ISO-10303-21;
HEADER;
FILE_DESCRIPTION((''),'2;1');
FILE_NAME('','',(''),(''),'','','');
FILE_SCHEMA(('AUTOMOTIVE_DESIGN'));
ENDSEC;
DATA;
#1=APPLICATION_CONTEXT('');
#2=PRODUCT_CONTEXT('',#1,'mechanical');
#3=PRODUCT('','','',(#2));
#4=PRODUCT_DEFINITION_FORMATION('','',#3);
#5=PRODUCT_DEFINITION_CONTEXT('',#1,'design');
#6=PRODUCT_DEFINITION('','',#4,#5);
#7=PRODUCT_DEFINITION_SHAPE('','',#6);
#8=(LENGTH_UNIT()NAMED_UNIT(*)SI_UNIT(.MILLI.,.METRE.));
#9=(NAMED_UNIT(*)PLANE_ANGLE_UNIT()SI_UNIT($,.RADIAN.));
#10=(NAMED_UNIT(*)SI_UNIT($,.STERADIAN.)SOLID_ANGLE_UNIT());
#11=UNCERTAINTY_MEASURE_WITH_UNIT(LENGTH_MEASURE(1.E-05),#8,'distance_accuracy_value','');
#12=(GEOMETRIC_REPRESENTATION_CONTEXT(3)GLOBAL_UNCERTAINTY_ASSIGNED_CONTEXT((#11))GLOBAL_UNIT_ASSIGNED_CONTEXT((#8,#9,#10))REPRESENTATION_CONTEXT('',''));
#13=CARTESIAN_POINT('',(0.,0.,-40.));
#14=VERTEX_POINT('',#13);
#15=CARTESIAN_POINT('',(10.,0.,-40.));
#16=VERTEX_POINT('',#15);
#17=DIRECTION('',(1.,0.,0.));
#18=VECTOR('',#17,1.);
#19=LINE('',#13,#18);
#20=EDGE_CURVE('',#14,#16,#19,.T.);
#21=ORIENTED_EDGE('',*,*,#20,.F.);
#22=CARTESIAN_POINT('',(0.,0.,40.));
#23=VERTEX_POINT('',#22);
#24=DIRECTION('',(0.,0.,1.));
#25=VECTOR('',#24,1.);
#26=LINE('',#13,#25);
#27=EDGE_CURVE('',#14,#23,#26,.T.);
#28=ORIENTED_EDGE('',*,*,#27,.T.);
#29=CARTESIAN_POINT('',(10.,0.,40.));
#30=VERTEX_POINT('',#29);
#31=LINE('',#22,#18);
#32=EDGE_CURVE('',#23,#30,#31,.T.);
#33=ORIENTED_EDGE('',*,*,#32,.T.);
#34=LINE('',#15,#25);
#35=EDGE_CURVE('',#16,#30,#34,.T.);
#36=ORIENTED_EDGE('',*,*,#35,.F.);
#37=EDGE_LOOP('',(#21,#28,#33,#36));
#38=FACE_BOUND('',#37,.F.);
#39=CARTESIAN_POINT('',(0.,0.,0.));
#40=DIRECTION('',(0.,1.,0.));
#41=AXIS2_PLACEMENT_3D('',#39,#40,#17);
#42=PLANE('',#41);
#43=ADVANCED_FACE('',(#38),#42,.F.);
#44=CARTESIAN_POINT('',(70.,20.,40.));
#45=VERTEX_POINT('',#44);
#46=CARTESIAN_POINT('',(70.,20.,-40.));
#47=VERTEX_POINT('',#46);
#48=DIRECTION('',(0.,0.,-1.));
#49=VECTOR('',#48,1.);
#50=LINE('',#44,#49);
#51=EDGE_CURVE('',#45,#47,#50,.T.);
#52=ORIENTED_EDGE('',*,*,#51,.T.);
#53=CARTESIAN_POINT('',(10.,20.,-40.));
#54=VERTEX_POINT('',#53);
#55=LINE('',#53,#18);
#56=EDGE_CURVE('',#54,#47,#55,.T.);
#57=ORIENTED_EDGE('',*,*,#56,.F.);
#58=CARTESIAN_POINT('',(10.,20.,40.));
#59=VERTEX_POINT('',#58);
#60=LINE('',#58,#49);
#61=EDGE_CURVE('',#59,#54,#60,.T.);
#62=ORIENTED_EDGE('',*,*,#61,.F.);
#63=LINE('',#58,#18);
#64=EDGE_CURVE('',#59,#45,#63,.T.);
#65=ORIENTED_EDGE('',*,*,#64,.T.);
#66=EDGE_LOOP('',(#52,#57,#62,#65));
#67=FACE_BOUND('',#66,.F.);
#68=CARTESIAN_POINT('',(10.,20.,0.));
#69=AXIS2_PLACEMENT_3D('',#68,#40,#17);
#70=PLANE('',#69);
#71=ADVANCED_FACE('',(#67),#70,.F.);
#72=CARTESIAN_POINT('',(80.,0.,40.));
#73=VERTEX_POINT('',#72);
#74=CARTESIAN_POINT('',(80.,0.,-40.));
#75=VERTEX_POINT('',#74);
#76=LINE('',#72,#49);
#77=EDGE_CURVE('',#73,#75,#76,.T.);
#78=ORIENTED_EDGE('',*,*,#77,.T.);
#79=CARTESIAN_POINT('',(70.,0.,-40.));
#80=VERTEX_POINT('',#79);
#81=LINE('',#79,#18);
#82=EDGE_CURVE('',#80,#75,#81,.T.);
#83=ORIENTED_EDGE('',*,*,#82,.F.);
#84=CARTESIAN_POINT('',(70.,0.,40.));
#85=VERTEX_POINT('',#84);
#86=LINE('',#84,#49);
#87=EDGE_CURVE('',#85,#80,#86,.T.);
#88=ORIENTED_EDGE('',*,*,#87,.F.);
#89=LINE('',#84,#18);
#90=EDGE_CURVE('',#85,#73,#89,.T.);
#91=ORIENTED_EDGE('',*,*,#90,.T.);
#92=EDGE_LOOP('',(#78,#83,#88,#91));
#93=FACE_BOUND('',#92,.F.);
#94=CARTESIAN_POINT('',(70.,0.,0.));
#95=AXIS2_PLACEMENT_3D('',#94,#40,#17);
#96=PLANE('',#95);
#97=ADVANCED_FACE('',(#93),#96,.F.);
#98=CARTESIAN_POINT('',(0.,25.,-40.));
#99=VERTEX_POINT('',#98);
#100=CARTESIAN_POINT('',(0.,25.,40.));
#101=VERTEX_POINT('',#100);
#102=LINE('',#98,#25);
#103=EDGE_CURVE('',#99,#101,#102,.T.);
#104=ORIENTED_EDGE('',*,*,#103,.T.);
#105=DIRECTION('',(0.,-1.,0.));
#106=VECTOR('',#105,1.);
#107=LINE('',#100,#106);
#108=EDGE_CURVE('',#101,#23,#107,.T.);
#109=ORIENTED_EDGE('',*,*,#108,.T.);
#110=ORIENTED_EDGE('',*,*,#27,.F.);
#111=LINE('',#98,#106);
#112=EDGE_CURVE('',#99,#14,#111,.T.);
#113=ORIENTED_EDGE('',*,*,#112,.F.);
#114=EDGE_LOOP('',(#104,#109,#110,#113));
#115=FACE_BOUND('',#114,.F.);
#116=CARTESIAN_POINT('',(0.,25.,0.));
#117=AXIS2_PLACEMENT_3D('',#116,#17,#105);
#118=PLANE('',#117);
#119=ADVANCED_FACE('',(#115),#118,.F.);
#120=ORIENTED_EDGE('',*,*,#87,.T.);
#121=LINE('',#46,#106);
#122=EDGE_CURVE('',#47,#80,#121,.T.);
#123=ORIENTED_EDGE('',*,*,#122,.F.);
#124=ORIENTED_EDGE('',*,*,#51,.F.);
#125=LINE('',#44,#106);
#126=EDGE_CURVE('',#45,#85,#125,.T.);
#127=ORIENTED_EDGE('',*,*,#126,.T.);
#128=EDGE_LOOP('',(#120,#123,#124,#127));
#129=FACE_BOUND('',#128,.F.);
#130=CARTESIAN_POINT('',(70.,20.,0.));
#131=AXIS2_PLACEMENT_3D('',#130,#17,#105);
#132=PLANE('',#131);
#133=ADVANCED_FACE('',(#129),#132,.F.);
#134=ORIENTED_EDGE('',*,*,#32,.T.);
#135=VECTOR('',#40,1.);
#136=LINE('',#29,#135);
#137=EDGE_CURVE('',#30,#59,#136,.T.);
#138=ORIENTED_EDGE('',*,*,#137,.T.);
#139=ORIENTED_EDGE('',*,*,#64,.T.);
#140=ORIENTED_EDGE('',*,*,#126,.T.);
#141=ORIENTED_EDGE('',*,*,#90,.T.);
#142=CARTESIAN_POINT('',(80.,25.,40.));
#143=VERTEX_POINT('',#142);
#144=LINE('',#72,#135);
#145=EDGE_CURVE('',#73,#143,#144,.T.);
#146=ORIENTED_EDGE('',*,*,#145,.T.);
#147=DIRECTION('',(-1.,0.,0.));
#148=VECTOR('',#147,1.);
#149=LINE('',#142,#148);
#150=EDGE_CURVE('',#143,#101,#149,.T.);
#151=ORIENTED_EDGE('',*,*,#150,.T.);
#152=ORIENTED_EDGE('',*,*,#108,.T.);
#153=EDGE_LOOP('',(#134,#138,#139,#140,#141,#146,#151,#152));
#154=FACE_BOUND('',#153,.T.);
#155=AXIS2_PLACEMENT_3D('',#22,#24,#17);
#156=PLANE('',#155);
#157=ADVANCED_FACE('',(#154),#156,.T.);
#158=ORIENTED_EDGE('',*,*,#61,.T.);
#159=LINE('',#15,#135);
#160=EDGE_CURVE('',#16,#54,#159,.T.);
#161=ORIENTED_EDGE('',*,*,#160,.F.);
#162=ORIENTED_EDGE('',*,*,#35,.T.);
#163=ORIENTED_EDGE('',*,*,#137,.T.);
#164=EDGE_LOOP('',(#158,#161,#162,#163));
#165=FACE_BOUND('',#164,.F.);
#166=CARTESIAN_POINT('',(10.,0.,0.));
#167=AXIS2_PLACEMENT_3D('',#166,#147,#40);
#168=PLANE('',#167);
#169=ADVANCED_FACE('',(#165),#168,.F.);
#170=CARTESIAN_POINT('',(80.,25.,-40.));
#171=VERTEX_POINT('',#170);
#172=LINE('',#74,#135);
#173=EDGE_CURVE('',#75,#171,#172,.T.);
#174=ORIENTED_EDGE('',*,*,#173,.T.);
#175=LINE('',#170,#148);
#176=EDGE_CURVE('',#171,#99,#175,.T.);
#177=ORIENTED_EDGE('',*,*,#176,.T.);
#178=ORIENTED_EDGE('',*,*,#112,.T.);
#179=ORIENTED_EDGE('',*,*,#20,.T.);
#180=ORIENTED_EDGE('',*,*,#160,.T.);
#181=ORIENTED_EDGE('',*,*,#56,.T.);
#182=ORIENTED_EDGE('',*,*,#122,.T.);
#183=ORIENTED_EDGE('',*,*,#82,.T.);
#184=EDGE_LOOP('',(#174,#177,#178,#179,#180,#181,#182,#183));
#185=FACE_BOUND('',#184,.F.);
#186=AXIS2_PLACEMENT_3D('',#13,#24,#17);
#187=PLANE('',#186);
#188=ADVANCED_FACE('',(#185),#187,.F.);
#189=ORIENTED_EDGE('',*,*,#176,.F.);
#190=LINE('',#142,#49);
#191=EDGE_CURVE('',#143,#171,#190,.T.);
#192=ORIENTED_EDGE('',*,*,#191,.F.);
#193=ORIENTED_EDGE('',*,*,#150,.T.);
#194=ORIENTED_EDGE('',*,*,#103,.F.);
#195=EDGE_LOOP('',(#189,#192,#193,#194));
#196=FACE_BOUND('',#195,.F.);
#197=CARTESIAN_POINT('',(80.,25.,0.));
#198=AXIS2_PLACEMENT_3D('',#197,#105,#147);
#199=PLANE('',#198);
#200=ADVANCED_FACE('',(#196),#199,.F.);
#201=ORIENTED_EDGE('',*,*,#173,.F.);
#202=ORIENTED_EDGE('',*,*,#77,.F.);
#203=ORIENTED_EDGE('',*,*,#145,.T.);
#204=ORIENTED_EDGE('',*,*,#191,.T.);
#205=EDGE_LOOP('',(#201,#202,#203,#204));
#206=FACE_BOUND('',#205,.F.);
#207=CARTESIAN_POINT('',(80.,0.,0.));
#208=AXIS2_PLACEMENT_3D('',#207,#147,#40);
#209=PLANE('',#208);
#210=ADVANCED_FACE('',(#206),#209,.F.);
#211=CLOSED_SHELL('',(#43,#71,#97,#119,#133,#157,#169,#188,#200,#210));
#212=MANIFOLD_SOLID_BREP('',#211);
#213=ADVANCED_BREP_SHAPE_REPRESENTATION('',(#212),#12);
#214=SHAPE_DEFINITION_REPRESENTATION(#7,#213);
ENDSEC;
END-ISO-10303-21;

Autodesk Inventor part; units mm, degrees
sketch "草圖2" plane through (0, 0, 0) normal (0, 0, 1) x (1, 0, 0)
  line L0 (0, 25) -> (0, 0)
  line L1 (0, 0) -> (10, 0)
  line L2 (10, 0) -> (10, 20)
  line L3 (10, 20) -> (70, 20)
  line L4 (70, 20) -> (70, 0)
  line L5 (70, 0) -> (80, 0)
  line L6 (80, 0) -> (80, 25)
  line L7 (80, 25) -> (0, 25)
  dimension "d11" = 10
  dimension "d12" = 5
  dimension "d14" = 80
  dimension "d17" = 20
extrude "擠出2" add sketch "草圖2" along normal mid plane 80
ref_plane "工作平面1" through (80, 0, 40) normal (0.0872, 0, 0.9962) x (0, 1, 0)
ref_plane "工作平面2" through (80, 0, 40) normal (0.9962, 0, -0.0872) x (0, 1, 0)
ref_plane "工作平面3" through (40, 0, 40) normal (-1, 0, 0) x (0, 0, 1)
equation "\"d11\" = leg_length"
equation "\"d12\" = thickness"
equation "\"d14\" = width"
equation "\"d17\" = height"
equation "\"d15\" = length"
equation "\"width\" = 80 * ratio"
equation "\"height\" = 20 * ratio"
equation "\"length\" = width"
equation "\"leg_length\" = ratio"
equation "\"thickness\" = 5 * ratio"
equation "\"ratio\" = 1"
properties part number "bridge_rect_final"
